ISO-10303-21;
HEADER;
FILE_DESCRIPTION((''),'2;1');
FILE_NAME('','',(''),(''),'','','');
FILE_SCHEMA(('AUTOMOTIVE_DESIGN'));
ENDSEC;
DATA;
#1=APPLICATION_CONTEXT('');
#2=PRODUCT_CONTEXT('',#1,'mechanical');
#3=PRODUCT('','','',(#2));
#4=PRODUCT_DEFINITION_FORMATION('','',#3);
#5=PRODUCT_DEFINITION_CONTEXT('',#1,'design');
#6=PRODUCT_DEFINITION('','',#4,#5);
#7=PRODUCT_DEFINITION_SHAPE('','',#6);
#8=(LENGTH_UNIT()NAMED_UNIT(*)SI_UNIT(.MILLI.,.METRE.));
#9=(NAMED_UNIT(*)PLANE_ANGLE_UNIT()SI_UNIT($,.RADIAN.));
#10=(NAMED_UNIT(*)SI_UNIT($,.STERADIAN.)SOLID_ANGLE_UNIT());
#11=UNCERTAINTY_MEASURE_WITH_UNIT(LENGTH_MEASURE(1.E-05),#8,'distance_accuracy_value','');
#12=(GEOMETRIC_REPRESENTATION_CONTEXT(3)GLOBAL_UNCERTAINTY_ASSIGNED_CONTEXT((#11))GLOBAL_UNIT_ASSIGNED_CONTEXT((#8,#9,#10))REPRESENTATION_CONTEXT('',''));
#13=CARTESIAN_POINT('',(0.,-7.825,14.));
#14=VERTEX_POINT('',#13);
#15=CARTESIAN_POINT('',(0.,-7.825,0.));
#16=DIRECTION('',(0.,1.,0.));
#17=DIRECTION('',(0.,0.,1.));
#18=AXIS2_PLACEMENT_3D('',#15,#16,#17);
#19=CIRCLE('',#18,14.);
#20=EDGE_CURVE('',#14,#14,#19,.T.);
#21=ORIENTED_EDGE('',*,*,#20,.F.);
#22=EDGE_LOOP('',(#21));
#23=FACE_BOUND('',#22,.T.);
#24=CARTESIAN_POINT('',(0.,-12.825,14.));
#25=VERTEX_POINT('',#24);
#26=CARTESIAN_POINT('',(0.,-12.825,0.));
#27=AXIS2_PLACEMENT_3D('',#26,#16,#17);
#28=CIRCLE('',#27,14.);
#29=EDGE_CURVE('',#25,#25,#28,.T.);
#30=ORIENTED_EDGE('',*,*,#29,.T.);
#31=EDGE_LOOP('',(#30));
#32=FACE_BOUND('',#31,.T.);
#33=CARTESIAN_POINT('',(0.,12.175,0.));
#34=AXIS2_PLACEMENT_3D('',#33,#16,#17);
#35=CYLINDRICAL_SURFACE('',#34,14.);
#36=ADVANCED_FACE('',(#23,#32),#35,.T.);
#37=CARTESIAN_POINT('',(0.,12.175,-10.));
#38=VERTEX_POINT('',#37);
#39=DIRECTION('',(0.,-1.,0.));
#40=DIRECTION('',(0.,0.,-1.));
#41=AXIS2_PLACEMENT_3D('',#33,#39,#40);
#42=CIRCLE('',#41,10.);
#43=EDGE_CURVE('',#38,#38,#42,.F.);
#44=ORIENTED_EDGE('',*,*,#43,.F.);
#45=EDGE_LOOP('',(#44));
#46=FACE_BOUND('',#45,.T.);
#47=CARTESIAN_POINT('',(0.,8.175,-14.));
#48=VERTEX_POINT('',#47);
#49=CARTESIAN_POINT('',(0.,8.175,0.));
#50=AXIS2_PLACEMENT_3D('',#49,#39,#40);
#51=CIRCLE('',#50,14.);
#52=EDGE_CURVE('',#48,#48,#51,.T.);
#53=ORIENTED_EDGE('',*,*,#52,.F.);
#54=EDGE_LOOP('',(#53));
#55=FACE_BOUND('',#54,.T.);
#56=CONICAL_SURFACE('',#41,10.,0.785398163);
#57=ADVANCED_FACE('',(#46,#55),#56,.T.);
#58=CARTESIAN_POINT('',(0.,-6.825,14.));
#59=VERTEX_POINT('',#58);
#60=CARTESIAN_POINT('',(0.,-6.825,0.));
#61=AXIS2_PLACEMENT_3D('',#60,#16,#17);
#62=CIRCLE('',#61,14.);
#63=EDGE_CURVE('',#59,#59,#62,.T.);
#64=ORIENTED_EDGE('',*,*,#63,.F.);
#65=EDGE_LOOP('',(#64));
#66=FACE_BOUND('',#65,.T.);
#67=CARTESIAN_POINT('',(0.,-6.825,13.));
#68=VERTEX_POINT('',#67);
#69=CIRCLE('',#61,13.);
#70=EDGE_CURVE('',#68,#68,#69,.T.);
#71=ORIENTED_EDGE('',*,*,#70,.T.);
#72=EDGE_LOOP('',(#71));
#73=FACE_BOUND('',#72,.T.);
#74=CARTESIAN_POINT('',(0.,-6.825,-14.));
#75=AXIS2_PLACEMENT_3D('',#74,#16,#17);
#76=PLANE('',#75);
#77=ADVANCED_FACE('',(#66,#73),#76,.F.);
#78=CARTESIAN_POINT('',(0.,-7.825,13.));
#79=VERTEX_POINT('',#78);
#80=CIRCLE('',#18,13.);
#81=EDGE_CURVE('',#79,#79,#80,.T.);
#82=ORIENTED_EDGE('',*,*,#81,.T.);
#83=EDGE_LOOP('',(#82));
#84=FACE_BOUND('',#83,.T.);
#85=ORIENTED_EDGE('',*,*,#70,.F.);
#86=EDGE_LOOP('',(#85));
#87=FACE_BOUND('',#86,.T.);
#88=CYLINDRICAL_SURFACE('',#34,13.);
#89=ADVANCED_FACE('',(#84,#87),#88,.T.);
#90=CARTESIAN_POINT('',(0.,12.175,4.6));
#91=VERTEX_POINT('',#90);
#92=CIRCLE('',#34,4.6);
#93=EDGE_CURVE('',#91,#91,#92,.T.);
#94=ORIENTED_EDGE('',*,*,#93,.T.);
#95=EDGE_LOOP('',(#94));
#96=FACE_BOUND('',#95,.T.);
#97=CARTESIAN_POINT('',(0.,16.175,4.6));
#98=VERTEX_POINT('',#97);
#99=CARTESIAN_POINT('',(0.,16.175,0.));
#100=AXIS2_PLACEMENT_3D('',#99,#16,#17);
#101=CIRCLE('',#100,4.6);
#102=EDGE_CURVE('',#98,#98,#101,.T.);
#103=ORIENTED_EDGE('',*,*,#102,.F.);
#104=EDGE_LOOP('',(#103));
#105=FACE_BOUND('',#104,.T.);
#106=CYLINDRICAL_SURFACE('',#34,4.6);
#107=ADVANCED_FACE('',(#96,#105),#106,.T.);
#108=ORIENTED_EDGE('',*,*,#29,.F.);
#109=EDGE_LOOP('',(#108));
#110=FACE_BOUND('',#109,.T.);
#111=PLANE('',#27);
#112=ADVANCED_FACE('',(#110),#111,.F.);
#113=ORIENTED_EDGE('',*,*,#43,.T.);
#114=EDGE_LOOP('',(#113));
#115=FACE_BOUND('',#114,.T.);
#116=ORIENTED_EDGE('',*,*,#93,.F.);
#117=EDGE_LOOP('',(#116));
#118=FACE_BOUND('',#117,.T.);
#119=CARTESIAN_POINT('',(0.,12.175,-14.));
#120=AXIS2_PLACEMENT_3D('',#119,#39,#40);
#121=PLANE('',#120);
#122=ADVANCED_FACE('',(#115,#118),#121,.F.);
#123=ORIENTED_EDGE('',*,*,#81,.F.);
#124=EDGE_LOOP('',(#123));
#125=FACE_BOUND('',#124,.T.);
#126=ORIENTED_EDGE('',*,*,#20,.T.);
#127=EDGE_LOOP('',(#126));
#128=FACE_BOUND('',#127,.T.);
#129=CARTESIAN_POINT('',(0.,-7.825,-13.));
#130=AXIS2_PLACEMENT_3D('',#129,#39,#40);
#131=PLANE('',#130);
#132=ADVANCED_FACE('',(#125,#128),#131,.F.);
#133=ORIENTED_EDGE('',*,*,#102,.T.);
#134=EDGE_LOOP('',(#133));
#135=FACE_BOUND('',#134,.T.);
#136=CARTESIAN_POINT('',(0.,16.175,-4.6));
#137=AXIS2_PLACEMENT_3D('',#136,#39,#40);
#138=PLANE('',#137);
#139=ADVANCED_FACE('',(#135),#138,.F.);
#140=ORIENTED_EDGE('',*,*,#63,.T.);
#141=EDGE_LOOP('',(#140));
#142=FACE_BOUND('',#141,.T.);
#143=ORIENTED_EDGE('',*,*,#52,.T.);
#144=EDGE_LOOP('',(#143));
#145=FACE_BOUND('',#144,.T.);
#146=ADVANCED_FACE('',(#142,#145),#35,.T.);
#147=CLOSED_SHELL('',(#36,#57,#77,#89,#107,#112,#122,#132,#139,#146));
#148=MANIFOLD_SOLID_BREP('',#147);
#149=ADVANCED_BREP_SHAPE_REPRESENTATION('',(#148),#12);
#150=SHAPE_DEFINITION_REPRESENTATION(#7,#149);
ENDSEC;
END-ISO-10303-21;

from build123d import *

# Parameters (mm, degrees)
CHAMFER1_SIZE = 4


with BuildPart() as part:
    # Sketch1 → Revolve1 (revolve)
    with BuildSketch(Plane(origin=(0, 0, 0), x_dir=(0, 0, -1), z_dir=(1, 0, 0))):
        Polygon((14, 12.175), (4.6, 12.175), (4.6, 16.175), (0, 16.175), (0, 12.175), (0, -12.825), (14, -12.825), (14, -7.825), (13, -7.825), (13, -6.825), (14, -6.825), align=None)
    revolve(axis=Axis((0, 12.175, 0), (0, -1, 0)))

    # Chamfer1
    chamfer1_edges = [part.edges().sort_by_distance(p)[0] for p in [
        (0, 12.175, 14),
    ]]
    chamfer(chamfer1_edges, length=CHAMFER1_SIZE)


solid = part.part
